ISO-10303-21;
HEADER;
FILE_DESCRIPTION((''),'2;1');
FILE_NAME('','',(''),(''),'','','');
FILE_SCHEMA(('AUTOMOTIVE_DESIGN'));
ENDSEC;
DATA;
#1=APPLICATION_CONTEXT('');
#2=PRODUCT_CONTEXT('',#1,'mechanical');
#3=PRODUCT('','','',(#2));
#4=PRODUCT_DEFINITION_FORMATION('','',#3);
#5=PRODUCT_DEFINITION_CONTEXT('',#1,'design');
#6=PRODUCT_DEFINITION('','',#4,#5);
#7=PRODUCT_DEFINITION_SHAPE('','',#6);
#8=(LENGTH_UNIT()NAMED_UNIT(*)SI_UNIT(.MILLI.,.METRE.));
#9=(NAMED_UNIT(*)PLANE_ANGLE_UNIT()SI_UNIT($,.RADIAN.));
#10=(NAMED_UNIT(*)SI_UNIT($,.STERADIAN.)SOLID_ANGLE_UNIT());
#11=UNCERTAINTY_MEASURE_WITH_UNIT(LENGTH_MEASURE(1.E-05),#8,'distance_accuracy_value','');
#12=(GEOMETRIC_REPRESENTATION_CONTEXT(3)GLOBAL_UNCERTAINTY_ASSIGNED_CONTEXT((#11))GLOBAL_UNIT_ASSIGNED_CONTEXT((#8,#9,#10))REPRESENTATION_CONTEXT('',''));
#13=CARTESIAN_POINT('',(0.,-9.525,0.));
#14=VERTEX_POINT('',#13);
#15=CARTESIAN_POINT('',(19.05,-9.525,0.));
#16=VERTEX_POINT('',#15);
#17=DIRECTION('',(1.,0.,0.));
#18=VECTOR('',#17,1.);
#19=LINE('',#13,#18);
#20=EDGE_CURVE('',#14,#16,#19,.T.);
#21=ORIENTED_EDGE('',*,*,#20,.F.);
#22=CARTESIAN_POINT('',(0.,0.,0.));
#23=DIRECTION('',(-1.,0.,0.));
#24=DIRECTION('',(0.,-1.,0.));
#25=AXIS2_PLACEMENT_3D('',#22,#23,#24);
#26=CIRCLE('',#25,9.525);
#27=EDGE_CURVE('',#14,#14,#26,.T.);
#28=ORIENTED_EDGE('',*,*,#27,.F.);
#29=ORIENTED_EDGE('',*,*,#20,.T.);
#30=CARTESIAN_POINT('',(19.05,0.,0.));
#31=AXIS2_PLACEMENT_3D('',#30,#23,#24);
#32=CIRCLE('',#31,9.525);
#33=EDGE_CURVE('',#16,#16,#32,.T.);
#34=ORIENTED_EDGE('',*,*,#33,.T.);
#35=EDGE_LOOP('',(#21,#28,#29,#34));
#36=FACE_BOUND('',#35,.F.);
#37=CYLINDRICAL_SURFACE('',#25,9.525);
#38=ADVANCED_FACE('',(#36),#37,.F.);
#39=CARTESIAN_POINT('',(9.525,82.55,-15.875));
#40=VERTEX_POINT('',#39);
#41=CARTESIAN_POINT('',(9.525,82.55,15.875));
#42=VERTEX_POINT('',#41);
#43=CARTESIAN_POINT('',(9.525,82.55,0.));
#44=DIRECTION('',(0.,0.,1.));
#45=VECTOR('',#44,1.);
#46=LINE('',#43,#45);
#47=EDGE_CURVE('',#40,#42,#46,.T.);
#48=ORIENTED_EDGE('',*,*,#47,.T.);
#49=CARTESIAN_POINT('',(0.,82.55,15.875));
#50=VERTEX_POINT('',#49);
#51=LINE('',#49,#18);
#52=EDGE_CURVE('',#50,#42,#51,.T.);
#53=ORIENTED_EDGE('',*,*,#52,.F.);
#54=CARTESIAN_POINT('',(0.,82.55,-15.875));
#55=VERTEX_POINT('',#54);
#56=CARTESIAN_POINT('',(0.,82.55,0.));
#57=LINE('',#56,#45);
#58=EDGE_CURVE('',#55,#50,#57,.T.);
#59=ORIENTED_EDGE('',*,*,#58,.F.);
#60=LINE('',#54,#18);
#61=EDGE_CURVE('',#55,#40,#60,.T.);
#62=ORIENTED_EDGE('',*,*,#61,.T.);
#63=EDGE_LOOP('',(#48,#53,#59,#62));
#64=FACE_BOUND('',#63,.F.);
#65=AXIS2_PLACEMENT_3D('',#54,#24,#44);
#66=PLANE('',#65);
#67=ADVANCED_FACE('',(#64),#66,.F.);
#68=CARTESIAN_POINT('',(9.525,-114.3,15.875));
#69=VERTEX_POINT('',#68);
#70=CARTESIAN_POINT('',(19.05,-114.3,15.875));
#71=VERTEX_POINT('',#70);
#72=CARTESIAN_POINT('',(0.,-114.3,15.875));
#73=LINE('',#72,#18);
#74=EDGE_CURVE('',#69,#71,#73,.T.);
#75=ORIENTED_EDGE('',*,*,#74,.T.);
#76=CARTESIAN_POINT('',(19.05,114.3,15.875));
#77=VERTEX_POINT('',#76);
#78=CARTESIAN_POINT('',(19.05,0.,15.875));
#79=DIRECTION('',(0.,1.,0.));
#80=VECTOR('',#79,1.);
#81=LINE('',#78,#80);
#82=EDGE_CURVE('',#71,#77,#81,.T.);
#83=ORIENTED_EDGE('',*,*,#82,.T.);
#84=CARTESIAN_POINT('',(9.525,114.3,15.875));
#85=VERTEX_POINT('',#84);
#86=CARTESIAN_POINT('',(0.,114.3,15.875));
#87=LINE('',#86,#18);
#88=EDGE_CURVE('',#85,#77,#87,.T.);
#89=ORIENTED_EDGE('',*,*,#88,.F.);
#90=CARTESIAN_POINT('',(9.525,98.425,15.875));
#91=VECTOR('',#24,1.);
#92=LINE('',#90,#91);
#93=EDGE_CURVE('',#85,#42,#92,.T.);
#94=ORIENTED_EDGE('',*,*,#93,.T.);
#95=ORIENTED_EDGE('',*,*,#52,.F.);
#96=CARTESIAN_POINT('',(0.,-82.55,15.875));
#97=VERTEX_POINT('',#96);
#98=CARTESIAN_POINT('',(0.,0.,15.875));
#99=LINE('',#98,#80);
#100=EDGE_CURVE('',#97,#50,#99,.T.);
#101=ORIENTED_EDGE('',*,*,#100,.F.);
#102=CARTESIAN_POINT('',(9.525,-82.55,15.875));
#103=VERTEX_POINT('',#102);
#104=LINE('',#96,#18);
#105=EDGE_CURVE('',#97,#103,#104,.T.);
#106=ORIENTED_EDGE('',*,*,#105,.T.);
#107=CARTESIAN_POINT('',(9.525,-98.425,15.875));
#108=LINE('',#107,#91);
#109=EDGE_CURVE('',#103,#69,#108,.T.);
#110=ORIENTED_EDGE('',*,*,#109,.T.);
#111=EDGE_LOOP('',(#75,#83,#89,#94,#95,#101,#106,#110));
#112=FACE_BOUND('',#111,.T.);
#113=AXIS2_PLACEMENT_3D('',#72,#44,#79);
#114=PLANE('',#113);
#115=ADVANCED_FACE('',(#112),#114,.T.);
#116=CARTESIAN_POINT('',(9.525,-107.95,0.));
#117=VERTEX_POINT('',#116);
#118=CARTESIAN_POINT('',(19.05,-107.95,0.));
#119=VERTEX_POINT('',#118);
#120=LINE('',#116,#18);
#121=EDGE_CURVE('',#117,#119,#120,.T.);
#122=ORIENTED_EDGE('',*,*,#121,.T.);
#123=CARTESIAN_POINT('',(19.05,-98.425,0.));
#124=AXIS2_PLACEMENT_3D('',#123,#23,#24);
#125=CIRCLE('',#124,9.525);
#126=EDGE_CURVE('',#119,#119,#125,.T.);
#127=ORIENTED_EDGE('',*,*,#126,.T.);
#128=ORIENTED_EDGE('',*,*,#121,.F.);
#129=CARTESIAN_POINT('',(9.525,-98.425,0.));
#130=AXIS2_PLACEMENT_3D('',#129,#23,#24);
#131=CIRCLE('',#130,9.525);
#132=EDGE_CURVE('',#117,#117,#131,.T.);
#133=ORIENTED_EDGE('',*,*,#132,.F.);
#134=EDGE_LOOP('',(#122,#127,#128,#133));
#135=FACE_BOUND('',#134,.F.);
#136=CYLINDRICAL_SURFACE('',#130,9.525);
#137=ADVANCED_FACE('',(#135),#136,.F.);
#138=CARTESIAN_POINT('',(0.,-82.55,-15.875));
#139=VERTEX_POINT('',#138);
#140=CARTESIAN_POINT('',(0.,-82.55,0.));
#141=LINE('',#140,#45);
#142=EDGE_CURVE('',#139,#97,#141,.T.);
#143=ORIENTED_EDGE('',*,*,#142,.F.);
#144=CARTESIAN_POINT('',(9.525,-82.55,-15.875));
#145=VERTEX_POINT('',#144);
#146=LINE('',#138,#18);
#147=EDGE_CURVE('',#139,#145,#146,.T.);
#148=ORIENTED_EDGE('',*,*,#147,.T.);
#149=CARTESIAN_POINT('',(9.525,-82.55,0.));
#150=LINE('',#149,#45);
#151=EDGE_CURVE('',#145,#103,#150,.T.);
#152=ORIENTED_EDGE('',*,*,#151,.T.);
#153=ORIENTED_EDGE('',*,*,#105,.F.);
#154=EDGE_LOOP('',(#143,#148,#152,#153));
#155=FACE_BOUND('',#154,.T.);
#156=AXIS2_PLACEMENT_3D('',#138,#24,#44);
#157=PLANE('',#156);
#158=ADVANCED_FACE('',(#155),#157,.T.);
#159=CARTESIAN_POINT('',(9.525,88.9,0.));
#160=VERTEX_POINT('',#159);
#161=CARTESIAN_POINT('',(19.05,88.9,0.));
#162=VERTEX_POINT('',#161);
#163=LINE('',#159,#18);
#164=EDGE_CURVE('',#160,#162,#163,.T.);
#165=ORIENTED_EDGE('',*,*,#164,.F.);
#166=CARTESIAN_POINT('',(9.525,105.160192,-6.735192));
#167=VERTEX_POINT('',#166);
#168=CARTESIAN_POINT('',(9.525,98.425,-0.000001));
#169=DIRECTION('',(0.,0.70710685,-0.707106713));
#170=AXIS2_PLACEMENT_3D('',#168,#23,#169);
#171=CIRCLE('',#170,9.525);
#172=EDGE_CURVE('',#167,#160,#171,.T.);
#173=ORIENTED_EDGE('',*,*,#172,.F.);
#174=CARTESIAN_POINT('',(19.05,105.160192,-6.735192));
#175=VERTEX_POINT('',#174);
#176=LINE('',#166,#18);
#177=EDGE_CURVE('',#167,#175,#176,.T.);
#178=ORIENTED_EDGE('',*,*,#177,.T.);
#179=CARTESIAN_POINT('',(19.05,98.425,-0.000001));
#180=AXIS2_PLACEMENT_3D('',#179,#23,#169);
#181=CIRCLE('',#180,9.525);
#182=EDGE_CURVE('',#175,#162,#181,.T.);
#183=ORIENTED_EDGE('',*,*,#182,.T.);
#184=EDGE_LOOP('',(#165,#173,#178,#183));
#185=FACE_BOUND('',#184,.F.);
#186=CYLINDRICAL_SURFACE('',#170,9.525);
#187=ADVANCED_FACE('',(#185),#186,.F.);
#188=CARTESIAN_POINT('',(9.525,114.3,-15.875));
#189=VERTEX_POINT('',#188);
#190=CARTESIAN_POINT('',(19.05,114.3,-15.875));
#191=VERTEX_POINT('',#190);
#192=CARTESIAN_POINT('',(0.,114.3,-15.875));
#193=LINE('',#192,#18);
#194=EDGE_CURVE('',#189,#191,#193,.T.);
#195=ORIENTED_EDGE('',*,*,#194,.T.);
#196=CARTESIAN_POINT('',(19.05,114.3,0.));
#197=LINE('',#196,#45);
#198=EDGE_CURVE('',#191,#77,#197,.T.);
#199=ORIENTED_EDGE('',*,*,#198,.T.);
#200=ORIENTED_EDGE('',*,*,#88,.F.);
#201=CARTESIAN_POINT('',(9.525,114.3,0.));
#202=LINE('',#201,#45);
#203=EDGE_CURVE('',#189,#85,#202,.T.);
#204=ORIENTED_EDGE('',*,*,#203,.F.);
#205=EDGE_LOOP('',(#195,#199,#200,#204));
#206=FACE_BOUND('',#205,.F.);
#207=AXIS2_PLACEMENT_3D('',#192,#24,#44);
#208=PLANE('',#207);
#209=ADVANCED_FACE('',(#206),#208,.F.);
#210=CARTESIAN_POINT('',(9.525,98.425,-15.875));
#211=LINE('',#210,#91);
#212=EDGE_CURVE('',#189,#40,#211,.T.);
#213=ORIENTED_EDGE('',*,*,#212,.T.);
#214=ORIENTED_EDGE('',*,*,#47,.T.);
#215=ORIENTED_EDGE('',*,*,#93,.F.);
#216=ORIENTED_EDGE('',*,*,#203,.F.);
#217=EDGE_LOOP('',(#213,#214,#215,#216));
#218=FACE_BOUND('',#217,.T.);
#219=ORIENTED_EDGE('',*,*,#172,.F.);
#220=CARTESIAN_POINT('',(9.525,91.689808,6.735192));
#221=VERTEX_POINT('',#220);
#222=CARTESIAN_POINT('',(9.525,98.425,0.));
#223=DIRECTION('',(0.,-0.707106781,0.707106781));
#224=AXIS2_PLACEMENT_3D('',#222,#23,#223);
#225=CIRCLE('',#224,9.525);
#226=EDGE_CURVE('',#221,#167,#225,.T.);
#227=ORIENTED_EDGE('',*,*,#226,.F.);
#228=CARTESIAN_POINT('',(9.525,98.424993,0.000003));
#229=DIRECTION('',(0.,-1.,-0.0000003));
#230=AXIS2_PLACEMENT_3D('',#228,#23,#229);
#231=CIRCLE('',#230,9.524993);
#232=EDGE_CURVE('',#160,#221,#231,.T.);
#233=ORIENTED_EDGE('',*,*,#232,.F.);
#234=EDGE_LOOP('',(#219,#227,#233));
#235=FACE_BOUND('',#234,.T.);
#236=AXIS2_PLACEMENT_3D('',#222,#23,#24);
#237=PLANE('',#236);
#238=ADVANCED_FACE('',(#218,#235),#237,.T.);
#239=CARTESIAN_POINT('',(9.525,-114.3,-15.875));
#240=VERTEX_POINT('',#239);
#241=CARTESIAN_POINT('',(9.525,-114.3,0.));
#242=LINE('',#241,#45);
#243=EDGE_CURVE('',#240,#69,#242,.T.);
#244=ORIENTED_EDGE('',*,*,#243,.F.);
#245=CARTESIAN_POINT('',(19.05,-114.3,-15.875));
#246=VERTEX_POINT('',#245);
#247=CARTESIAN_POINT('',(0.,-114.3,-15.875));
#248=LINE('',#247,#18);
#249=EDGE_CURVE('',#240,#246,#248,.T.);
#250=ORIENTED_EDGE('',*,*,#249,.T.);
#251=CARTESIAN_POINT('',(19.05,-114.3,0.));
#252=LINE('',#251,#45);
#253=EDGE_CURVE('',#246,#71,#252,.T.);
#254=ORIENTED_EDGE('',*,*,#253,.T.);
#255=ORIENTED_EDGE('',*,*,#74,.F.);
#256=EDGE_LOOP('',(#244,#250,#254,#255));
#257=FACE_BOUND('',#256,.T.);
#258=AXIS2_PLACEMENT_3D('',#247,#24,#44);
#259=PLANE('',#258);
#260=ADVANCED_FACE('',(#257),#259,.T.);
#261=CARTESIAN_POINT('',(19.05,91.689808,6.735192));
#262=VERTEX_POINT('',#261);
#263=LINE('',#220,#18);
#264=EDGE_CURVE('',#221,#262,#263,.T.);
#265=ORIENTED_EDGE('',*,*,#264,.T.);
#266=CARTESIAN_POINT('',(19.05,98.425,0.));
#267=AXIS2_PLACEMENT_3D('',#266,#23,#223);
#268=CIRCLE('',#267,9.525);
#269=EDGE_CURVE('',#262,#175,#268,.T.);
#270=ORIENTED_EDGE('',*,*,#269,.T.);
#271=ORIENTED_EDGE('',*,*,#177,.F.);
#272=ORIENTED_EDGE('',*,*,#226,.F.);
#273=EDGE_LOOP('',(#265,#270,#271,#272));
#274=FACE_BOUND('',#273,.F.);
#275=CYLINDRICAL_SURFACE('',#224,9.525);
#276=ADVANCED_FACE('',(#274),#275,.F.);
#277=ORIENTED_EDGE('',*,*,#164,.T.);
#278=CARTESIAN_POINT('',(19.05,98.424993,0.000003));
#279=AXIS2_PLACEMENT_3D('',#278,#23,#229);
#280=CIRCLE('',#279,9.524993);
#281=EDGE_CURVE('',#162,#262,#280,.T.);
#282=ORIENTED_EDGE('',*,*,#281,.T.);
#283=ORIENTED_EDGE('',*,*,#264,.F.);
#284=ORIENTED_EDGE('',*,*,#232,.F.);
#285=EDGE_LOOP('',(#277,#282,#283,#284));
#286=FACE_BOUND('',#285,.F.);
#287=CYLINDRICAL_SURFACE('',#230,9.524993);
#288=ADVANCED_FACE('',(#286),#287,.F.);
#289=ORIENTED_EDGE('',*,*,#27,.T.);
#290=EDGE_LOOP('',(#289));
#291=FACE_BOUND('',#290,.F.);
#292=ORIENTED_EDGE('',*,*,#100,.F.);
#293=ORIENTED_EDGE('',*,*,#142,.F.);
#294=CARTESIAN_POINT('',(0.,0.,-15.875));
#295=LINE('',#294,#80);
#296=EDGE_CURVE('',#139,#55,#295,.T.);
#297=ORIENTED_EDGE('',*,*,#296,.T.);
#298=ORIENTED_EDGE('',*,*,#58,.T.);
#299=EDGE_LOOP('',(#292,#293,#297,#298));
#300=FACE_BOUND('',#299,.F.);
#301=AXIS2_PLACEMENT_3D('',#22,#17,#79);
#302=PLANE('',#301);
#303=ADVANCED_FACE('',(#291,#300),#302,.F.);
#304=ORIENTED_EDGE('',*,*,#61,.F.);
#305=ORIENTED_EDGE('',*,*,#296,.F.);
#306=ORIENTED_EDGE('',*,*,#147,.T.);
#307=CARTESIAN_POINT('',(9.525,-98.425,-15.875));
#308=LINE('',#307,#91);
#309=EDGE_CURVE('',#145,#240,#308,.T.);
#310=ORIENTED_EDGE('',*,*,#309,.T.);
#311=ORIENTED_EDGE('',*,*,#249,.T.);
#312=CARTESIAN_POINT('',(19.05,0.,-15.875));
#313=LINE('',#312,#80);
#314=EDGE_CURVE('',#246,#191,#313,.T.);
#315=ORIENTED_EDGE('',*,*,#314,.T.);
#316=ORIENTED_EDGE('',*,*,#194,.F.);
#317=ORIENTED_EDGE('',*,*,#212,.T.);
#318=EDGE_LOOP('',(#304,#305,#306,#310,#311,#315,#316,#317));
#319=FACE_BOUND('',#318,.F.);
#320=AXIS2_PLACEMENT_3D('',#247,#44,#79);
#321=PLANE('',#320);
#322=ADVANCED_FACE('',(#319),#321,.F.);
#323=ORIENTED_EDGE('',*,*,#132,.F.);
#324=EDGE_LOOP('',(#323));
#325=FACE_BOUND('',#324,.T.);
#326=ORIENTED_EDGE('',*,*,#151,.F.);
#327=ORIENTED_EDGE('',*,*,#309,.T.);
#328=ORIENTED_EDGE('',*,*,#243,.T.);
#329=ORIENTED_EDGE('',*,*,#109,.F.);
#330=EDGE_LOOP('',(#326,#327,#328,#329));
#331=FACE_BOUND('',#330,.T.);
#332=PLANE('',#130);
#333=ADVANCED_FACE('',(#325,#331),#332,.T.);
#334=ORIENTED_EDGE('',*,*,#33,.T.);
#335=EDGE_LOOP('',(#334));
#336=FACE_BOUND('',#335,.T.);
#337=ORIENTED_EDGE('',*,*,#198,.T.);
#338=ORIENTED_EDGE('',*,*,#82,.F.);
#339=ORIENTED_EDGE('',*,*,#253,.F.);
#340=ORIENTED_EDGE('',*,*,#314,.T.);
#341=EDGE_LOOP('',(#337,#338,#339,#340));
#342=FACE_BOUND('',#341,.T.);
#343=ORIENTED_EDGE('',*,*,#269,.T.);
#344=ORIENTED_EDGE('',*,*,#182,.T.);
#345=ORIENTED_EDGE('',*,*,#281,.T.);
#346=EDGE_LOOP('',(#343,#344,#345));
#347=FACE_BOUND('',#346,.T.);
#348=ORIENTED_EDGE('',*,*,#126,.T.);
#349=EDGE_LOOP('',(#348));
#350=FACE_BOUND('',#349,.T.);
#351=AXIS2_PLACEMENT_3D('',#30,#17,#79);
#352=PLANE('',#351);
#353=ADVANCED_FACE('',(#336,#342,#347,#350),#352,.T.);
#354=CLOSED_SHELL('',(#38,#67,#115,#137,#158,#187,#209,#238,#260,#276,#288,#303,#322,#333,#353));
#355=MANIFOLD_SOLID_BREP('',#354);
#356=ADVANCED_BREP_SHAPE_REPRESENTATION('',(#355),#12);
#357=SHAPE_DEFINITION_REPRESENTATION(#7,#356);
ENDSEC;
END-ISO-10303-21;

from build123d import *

# Parameters (mm, degrees)
F0_W     = 228.6
F0_H     = 31.75
F1_DEPTH = 19.05
F2_W     = 31.75
F2_H     = 31.75
F3_DEPTH = 9.525
F4_R     = 9.525
F5_DEPTH = 25.4
F6_R     = 9.525
F7_DEPTH = 25.4


with BuildPart() as f1:
    # F0 (on Right) → F1 (new body)
    with BuildSketch(Plane.YZ):
        Rectangle(F0_W, F0_H)
    extrude(amount=F1_DEPTH)

    # F2 (on face) → F3 (cut)
    with BuildSketch(Plane(origin=(0, 0, 0), x_dir=(0, -1, 0), z_dir=(-1, 0, 0))):
        with Locations((-98.425, 0)):
            Rectangle(F2_W, F2_H)
        with Locations((98.425, 0)):
            Rectangle(F2_W, F2_H)
    extrude(amount=-F3_DEPTH, mode=Mode.SUBTRACT)

    # F4 (on face) → F5 (cut)
    with BuildSketch(Plane(origin=(9.525, 0, 0), x_dir=(0, -1, 0), z_dir=(-1, 0, 0))):
        with BuildLine():
            ThreePointArc((-91.689808, 6.735192), (-105.160192, 6.735192), (-105.160192, -6.735192))
            Line((-105.160192, -6.735192), (-91.689808, 6.735192))
        make_face()
        with BuildLine():
            Line((-91.689808, 6.735192), (-105.160192, -6.735192))
            ThreePointArc((-105.160192, -6.735192), (-94.77994, -8.799953), (-88.9, 0))
            ThreePointArc((-88.9, 0), (-89.625047, 3.64506), (-91.689808, 6.735192))
        make_face()
        with Locations((98.425, 0)):
            Circle(F4_R)
    extrude(amount=-F5_DEPTH, mode=Mode.SUBTRACT)

    # F6 (on face) → F7 (cut)
    with BuildSketch(Plane(origin=(0, 0, 0), x_dir=(0, -1, 0), z_dir=(-1, 0, 0))):
        Circle(F6_R)
    extrude(amount=-F7_DEPTH, mode=Mode.SUBTRACT)


solid = f1.part
